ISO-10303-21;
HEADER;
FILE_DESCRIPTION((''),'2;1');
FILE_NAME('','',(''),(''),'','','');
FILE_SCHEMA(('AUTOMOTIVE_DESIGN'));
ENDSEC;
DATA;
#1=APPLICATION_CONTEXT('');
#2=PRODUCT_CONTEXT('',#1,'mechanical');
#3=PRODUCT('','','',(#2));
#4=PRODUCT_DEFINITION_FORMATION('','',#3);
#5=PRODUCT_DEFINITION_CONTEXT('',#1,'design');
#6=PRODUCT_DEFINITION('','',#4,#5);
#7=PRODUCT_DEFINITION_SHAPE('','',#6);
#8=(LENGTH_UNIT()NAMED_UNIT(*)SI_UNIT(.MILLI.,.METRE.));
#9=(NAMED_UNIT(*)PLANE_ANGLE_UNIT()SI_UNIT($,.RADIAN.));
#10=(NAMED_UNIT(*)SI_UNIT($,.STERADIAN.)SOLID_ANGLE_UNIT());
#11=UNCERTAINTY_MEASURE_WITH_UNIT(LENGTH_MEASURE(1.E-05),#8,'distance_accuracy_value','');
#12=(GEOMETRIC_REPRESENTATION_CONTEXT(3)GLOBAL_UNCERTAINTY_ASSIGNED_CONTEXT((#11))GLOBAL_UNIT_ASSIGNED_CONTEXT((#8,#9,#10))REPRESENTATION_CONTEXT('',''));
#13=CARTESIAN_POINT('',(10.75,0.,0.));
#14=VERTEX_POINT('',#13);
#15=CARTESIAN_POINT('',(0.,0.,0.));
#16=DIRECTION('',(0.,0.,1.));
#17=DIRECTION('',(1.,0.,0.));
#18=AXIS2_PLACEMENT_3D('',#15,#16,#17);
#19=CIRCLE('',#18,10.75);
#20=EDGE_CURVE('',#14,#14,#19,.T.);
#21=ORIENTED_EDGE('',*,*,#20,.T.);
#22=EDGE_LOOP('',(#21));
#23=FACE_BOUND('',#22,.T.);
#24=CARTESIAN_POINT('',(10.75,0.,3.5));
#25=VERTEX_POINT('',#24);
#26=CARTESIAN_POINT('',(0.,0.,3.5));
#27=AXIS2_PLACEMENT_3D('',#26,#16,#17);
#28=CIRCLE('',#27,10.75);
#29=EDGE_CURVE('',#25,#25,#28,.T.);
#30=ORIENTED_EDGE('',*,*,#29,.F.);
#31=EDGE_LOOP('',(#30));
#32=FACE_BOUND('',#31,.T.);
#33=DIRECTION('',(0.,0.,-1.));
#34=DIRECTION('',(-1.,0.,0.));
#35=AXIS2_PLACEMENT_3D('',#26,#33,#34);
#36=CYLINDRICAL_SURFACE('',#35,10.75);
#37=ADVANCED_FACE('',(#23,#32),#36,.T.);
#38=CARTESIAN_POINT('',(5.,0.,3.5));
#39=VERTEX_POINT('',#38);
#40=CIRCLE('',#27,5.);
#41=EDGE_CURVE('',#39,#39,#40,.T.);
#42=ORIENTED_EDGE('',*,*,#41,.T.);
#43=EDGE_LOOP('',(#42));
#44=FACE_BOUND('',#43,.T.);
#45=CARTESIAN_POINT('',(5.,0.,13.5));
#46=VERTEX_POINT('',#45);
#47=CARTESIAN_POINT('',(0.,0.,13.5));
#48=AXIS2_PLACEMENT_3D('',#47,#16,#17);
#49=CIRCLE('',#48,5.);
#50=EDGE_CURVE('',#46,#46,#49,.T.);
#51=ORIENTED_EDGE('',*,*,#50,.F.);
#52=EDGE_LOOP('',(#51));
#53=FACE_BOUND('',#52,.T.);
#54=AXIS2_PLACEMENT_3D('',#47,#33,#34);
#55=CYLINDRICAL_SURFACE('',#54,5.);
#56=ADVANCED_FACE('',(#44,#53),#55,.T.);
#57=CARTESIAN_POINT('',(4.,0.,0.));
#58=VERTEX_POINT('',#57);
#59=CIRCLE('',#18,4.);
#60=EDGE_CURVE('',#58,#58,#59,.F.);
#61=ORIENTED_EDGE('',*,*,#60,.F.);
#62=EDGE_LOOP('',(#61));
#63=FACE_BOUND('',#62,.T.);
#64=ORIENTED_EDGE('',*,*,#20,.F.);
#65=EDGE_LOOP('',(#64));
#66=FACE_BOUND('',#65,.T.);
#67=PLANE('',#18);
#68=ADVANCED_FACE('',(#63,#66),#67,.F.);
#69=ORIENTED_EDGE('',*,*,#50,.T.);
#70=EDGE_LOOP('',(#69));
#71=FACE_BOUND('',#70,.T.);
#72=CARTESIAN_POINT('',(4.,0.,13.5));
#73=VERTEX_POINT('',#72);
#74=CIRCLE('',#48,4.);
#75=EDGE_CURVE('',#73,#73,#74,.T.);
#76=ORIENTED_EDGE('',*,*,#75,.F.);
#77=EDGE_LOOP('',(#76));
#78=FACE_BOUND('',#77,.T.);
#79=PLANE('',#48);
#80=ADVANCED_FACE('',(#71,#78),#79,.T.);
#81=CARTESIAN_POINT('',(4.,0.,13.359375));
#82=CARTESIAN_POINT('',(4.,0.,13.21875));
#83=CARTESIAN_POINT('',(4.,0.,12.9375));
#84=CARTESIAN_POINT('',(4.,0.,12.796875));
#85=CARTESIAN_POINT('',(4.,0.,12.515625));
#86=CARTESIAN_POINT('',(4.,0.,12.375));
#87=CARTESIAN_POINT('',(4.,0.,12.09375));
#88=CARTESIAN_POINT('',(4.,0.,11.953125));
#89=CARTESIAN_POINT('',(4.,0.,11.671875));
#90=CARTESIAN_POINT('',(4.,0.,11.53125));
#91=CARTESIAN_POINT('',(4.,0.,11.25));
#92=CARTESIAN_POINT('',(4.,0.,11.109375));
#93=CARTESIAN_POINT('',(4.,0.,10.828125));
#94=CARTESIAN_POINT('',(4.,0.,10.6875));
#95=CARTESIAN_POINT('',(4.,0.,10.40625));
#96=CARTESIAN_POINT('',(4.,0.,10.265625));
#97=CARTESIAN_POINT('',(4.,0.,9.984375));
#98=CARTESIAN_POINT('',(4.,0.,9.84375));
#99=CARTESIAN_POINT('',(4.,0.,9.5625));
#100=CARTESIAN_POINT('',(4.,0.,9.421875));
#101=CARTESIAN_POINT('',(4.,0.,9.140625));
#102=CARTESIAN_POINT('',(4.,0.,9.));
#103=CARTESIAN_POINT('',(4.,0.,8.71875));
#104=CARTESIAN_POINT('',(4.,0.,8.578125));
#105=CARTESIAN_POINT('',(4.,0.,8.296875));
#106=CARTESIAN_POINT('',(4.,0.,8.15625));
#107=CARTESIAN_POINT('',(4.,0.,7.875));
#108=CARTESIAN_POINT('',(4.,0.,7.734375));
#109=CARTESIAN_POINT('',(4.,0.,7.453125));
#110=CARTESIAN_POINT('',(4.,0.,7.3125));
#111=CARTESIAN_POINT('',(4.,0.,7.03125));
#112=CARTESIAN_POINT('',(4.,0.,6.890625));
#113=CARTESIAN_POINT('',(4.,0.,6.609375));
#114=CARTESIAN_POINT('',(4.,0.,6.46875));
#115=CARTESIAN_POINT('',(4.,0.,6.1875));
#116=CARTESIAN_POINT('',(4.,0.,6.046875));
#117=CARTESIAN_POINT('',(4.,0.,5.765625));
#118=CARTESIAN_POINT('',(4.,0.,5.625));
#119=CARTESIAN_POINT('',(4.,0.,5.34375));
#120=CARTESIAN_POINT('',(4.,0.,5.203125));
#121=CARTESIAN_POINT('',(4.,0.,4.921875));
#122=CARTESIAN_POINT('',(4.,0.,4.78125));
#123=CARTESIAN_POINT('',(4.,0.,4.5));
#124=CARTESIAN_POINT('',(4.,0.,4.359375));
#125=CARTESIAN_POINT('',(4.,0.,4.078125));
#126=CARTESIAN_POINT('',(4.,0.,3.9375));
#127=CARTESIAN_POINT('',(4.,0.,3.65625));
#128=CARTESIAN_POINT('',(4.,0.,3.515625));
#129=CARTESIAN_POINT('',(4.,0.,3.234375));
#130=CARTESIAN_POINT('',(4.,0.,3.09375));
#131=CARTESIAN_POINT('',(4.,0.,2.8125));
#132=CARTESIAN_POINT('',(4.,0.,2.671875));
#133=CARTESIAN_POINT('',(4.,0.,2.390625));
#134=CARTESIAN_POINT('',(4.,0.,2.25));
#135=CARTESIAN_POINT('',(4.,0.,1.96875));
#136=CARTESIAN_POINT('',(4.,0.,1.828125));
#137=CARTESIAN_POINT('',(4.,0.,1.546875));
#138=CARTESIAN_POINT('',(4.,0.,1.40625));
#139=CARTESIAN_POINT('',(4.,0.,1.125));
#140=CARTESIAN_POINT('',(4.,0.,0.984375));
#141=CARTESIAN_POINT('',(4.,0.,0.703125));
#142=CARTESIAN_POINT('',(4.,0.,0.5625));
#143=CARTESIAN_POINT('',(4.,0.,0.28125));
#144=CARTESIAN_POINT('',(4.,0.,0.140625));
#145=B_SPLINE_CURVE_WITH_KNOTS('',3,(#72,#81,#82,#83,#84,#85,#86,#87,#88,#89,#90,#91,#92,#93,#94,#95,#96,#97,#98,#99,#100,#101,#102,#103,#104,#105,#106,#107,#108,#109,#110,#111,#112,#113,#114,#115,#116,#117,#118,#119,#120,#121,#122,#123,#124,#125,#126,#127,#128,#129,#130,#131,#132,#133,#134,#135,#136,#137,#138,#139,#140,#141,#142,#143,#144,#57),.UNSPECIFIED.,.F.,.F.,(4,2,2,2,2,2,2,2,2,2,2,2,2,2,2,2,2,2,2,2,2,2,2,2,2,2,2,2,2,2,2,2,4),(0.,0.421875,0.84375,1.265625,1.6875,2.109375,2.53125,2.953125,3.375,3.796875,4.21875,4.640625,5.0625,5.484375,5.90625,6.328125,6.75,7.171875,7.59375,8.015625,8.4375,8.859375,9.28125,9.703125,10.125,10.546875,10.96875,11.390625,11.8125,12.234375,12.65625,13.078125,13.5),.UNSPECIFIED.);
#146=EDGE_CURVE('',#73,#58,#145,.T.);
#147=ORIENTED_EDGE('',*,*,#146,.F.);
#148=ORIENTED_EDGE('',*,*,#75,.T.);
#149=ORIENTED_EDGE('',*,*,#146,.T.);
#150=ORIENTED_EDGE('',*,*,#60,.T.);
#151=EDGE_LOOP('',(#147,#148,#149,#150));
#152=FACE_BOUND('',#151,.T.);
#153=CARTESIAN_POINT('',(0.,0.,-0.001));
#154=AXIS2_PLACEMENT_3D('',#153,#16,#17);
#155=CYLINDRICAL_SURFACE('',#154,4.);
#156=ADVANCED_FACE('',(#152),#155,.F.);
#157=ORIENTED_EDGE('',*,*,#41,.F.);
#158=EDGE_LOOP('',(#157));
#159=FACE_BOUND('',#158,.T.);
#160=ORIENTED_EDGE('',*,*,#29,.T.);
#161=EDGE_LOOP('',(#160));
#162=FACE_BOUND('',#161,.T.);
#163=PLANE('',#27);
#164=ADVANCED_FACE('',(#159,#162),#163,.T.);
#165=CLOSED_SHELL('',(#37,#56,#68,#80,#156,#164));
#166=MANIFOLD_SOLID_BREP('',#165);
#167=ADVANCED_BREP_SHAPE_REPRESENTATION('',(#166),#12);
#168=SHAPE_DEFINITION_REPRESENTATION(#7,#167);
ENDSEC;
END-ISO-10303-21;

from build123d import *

# Parameters (mm, degrees)
SKETCH1_R           = 10.75
BOSS_EXTRUDE1_DEPTH = 3.5
SKETCH2_R           = 5
BOSS_EXTRUDE2_DEPTH = 10
CUT_EXTRUDE1_REACH  = 22.332
SKETCH3_R           = 4


with BuildPart() as part:
    # Sketch1 → Boss-Extrude1 (new body)
    with BuildSketch(Plane.XY):
        Circle(SKETCH1_R)
    extrude(amount=BOSS_EXTRUDE1_DEPTH)

    # Sketch2 → Boss-Extrude2 (add)
    with BuildSketch(Plane.XY.offset(3.5)):
        Circle(SKETCH2_R)
    extrude(amount=BOSS_EXTRUDE2_DEPTH)

    # Sketch3 → Cut-Extrude1 (cut, up to next)
    with BuildSketch(Plane.XY.offset(13.5), mode=Mode.PRIVATE) as cut_extrude1_sk1:
        Circle(SKETCH3_R)
    cut_extrude1_tool1 = extrude(cut_extrude1_sk1.sketch, amount=-CUT_EXTRUDE1_REACH, mode=Mode.PRIVATE) & part.part
    add(cut_extrude1_tool1.solids().sort_by_distance((0, 0, 13.5))[0], mode=Mode.SUBTRACT)


solid = part.part
